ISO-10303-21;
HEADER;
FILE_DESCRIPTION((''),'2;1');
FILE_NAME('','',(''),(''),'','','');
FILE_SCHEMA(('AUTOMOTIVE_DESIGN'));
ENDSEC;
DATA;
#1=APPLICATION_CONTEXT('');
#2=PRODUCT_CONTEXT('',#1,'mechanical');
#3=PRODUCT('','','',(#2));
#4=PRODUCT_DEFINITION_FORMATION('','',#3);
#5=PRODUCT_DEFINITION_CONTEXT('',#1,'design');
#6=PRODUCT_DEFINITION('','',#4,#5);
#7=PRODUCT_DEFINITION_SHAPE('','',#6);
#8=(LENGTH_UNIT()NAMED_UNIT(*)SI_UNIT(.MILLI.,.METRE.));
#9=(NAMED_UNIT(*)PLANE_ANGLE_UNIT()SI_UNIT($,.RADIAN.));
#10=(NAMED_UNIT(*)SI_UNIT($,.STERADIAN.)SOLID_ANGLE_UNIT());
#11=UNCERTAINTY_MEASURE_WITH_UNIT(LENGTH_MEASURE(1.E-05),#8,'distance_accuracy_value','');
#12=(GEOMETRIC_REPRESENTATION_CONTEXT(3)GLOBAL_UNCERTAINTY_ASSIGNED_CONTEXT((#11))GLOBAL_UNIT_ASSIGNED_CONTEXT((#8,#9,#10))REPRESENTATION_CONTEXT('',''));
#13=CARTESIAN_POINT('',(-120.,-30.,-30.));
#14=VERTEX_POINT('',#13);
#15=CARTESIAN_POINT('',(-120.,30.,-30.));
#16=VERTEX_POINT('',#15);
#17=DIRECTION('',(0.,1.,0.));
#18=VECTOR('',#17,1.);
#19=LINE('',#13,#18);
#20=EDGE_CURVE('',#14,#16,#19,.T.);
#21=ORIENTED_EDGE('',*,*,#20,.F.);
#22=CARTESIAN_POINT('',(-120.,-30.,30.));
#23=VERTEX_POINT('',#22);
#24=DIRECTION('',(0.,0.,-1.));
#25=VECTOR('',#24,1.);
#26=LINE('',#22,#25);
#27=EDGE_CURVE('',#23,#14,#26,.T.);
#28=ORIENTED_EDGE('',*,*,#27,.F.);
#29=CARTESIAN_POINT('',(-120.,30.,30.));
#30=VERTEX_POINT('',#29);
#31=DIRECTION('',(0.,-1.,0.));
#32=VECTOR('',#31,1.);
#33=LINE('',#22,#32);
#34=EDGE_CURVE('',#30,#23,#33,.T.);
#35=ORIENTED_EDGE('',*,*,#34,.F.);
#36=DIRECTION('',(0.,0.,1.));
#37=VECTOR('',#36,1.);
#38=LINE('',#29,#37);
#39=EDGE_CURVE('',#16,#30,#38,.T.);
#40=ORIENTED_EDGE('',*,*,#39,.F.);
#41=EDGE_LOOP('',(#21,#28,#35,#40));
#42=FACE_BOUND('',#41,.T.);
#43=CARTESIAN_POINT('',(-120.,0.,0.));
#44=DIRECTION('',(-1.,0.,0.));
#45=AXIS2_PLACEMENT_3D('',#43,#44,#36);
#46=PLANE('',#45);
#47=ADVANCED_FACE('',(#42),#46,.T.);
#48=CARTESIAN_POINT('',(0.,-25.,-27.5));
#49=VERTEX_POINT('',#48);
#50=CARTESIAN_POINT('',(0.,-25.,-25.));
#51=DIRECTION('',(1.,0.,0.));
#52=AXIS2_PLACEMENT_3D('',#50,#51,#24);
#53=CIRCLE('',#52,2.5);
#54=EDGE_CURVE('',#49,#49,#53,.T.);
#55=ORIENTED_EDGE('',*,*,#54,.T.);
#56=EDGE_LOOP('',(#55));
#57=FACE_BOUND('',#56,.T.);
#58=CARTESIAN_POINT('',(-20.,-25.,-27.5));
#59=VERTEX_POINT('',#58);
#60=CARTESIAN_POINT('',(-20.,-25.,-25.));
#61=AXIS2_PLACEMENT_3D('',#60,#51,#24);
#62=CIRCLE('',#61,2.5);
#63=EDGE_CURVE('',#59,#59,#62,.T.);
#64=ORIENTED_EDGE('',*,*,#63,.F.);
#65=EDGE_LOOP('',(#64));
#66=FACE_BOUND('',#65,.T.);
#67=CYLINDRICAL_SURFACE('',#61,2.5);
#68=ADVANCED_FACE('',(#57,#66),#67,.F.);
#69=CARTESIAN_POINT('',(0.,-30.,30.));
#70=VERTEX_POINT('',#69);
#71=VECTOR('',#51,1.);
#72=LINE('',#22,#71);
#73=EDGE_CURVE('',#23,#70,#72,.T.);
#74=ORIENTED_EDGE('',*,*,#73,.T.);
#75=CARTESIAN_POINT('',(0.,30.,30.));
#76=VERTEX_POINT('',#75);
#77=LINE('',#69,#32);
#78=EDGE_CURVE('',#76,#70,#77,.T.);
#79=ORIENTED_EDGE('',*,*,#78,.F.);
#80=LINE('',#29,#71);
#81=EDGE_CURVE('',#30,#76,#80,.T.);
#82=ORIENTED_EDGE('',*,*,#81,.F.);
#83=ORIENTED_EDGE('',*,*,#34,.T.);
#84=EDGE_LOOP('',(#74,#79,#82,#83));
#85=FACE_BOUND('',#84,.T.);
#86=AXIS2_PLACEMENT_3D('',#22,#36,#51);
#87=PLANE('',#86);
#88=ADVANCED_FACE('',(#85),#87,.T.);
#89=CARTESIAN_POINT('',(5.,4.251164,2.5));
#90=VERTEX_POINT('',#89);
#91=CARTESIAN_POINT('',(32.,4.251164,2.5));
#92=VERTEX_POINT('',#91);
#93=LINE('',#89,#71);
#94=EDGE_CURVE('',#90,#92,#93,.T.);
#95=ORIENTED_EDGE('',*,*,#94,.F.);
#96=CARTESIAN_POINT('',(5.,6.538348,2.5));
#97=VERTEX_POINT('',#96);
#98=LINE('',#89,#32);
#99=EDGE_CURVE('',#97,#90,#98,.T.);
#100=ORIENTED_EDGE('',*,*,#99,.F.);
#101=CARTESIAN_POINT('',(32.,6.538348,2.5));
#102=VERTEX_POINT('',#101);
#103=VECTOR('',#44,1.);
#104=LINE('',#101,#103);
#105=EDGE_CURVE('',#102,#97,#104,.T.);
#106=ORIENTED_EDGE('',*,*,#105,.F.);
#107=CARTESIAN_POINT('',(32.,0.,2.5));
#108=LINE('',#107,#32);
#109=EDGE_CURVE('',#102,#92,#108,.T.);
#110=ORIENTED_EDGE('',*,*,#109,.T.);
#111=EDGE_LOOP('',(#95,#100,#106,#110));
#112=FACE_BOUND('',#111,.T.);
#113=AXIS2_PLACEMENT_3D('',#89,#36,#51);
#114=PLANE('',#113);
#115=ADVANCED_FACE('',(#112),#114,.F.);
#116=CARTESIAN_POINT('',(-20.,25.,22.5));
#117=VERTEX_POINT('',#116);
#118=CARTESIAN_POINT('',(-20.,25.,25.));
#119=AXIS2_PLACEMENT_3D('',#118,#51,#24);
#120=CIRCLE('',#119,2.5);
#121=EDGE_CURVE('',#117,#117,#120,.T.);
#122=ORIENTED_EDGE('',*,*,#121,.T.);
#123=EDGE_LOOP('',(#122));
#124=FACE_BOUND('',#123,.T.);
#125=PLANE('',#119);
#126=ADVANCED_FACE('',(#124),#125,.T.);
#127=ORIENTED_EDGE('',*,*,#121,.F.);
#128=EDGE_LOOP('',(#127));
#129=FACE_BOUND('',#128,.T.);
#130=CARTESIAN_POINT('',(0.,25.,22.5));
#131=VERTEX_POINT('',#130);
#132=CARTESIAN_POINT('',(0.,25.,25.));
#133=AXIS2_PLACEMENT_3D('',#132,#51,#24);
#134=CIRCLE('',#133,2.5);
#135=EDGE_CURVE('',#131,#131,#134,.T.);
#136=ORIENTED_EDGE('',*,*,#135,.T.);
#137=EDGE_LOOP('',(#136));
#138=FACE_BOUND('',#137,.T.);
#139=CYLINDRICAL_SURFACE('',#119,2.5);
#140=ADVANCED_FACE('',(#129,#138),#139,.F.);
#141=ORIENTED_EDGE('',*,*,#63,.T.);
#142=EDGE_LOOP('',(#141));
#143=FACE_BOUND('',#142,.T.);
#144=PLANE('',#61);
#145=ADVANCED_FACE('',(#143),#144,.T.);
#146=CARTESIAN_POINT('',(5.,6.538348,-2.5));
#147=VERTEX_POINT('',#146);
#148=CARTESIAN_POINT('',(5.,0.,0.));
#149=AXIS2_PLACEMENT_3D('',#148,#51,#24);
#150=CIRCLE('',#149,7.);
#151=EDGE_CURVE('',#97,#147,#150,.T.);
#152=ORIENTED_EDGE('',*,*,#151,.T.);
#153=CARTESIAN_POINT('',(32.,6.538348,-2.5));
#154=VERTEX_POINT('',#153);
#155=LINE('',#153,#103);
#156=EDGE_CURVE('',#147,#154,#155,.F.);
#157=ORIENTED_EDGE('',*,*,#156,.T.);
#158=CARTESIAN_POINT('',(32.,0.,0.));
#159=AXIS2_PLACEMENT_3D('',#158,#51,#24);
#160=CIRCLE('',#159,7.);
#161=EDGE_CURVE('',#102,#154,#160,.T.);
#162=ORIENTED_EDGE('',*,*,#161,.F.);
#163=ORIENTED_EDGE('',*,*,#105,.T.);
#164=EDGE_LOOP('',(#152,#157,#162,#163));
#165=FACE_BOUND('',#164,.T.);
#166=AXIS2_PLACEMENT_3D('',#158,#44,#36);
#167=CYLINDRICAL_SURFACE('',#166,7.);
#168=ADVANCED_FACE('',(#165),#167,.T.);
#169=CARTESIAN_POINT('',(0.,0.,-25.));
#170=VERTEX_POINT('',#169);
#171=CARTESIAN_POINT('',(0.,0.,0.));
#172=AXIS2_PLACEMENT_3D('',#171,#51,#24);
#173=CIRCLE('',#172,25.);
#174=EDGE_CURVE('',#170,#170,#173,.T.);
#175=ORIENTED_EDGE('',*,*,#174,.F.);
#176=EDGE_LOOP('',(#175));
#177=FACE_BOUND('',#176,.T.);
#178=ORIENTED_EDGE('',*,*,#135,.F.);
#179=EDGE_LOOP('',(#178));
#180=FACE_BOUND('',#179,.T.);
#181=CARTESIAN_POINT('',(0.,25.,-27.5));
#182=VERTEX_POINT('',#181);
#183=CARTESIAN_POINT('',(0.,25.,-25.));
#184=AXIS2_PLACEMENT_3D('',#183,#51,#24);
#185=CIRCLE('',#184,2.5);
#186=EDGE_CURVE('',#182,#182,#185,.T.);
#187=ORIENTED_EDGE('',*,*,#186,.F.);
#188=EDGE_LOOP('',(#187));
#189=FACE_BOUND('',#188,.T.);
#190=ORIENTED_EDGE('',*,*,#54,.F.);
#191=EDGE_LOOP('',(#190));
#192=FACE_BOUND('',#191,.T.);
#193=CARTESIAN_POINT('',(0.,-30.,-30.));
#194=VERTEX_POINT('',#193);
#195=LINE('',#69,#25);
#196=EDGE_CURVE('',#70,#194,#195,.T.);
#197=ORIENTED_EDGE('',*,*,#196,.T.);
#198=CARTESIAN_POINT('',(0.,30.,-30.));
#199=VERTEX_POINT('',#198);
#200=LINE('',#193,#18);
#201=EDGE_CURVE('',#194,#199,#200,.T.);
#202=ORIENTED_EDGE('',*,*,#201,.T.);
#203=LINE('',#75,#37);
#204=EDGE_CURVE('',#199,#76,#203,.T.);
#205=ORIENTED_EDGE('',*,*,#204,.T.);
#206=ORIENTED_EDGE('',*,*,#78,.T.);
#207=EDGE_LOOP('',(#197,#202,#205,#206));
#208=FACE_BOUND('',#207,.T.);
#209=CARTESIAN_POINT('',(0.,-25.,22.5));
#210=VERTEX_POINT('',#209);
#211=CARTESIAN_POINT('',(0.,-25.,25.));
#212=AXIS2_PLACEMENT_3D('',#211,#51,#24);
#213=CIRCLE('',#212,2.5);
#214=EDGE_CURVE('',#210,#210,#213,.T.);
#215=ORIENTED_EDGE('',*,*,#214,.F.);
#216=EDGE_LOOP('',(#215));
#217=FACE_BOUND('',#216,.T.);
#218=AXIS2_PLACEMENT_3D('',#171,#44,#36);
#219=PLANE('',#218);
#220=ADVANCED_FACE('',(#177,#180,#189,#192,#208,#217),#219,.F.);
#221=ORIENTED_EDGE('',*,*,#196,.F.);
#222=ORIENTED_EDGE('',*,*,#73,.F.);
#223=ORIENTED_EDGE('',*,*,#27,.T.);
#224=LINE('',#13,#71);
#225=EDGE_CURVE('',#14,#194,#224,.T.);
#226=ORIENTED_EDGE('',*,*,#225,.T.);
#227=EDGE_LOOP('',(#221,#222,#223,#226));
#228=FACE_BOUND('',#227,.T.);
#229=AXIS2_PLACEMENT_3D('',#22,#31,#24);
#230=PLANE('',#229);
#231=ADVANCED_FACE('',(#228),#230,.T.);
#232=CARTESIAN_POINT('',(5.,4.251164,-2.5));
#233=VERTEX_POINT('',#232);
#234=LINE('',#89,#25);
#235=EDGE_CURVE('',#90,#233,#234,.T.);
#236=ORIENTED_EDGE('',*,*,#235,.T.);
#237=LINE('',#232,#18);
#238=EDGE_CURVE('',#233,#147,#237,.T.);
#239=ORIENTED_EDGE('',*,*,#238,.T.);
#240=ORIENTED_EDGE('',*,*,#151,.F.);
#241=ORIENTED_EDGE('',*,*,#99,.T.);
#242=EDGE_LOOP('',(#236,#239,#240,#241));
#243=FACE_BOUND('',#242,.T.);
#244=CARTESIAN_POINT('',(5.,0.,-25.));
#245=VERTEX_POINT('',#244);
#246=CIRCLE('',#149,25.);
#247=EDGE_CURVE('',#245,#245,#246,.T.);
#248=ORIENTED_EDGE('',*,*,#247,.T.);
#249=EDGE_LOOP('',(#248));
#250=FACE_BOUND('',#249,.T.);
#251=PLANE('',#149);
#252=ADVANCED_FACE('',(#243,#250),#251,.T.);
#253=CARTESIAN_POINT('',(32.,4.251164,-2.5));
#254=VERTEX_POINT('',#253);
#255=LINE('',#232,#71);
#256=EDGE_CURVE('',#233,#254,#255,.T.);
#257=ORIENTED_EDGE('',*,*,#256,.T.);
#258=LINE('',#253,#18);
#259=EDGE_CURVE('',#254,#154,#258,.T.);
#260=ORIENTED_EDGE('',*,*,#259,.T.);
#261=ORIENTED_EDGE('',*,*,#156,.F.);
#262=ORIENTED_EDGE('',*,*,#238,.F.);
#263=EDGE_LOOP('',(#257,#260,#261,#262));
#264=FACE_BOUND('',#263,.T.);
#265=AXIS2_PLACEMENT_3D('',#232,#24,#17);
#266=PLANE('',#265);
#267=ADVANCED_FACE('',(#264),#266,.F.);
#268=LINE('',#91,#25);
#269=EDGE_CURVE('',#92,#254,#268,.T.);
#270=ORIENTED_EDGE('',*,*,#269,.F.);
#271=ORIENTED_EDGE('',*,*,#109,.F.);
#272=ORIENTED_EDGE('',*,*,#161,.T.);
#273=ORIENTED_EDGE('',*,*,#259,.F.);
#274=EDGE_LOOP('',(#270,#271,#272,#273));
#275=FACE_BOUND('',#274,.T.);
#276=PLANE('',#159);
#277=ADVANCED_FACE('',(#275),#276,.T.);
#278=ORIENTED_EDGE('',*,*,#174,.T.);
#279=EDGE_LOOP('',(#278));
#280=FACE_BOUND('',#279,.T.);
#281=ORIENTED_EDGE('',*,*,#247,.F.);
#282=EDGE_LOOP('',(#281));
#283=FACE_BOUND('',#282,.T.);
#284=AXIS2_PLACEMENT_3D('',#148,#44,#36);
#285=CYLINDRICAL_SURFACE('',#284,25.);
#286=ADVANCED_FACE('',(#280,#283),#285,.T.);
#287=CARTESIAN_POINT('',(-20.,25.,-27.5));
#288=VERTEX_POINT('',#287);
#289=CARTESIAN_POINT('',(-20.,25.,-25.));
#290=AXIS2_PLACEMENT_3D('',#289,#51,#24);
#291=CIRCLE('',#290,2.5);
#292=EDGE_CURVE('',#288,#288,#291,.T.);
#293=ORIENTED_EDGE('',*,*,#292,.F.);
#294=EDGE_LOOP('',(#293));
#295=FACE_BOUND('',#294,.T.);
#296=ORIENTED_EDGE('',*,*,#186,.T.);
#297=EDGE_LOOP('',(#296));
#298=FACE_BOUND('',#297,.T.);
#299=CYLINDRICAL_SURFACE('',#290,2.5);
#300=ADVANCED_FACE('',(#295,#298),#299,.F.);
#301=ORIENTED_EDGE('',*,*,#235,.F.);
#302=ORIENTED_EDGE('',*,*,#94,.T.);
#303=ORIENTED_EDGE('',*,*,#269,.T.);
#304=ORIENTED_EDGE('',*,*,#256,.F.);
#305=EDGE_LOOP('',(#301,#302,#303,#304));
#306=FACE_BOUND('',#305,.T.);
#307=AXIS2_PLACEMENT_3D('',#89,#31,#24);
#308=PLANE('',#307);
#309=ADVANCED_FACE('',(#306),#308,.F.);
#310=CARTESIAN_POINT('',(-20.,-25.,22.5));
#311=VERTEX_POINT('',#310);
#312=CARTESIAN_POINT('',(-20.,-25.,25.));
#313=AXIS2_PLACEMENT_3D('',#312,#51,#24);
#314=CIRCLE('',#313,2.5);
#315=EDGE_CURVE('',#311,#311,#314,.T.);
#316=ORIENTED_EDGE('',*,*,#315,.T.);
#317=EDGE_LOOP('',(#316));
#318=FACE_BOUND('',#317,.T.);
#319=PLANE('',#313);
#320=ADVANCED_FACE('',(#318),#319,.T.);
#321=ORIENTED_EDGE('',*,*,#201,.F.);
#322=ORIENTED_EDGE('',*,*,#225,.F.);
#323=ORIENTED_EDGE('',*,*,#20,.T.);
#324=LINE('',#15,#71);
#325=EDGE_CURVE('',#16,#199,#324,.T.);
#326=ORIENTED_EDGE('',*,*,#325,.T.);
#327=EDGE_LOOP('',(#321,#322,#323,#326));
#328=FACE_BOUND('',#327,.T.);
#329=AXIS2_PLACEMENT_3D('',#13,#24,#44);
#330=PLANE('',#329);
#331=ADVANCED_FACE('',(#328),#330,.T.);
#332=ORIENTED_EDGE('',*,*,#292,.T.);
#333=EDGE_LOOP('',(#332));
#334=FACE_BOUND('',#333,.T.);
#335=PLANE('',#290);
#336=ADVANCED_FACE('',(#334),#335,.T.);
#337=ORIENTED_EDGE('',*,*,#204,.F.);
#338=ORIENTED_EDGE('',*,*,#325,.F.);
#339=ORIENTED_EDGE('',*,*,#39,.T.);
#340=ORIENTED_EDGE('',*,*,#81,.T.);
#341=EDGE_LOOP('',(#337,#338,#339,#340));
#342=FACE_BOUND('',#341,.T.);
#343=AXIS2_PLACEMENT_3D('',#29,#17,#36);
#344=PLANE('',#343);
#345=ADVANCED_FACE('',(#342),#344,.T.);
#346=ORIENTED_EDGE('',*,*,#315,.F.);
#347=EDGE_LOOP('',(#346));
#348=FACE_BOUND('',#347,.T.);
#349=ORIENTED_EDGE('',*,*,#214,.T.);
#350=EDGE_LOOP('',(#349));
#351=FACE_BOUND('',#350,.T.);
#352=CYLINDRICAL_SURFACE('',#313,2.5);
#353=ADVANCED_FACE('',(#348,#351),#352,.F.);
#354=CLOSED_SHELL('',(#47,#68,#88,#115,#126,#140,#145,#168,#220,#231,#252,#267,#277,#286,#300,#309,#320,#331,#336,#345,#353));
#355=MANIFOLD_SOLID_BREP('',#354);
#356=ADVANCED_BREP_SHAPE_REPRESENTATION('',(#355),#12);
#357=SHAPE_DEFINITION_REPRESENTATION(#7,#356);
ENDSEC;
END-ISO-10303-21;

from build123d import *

# Parameters (mm, degrees)
SKETCH_1_W          = 60
SKETCH_1_H          = 60
EXTRUDE_1_DEPTH     = 120
SKETCH_2_R          = 2.5
CUT_EXTRUDE_1_DEPTH = 20
SKETCH_3_R          = 25
EXTRUDE_2_DEPTH     = 5
SKETCH_4_R          = 7
EXTRUDE_3_DEPTH     = 27
SKETCH_5_W          = 5
SKETCH_5_H          = 2.748835856
CUT_EXTRUDE_2_DEPTH = 27


with BuildPart() as part:
    # 草图1 → 凸台-拉伸1 (new body)
    with BuildSketch(Plane(origin=(0, 0, 0), x_dir=(0, 0, -1), z_dir=(1, 0, 0))):
        Rectangle(SKETCH_1_W, SKETCH_1_H)
    extrude(amount=-EXTRUDE_1_DEPTH)

    # 草图2 → 切除-拉伸1 (cut)
    with BuildSketch(Plane(origin=(0, 0, 0), x_dir=(0, 0, -1), z_dir=(1, 0, 0))):
        with Locations((-25, 25)):
            Circle(SKETCH_2_R)
        with Locations((25, 25)):
            Circle(SKETCH_2_R)
        with Locations((-25, -25)):
            Circle(SKETCH_2_R)
        with Locations((25, -25)):
            Circle(SKETCH_2_R)
    extrude(amount=-CUT_EXTRUDE_1_DEPTH, mode=Mode.SUBTRACT)

    # 草图3 → 凸台-拉伸2 (add)
    with BuildSketch(Plane(origin=(0, 0, 0), x_dir=(0, 0, -1), z_dir=(1, 0, 0))):
        Circle(SKETCH_3_R)
    extrude(amount=EXTRUDE_2_DEPTH)

    # 草图4 → 凸台-拉伸3 (add)
    with BuildSketch(Plane(origin=(5, 0, 0), x_dir=(0, 0, -1), z_dir=(1, 0, 0))):
        Circle(SKETCH_4_R)
    extrude(amount=EXTRUDE_3_DEPTH)

    # 草图5 → 切除-拉伸2 (cut)
    with BuildSketch(Plane(origin=(32, 0, 0), x_dir=(0, 0, -1), z_dir=(1, 0, 0))):
        with Locations((0, 5.625582072)):
            Rectangle(SKETCH_5_W, SKETCH_5_H)
    extrude(amount=-CUT_EXTRUDE_2_DEPTH, mode=Mode.SUBTRACT)


solid = part.part
